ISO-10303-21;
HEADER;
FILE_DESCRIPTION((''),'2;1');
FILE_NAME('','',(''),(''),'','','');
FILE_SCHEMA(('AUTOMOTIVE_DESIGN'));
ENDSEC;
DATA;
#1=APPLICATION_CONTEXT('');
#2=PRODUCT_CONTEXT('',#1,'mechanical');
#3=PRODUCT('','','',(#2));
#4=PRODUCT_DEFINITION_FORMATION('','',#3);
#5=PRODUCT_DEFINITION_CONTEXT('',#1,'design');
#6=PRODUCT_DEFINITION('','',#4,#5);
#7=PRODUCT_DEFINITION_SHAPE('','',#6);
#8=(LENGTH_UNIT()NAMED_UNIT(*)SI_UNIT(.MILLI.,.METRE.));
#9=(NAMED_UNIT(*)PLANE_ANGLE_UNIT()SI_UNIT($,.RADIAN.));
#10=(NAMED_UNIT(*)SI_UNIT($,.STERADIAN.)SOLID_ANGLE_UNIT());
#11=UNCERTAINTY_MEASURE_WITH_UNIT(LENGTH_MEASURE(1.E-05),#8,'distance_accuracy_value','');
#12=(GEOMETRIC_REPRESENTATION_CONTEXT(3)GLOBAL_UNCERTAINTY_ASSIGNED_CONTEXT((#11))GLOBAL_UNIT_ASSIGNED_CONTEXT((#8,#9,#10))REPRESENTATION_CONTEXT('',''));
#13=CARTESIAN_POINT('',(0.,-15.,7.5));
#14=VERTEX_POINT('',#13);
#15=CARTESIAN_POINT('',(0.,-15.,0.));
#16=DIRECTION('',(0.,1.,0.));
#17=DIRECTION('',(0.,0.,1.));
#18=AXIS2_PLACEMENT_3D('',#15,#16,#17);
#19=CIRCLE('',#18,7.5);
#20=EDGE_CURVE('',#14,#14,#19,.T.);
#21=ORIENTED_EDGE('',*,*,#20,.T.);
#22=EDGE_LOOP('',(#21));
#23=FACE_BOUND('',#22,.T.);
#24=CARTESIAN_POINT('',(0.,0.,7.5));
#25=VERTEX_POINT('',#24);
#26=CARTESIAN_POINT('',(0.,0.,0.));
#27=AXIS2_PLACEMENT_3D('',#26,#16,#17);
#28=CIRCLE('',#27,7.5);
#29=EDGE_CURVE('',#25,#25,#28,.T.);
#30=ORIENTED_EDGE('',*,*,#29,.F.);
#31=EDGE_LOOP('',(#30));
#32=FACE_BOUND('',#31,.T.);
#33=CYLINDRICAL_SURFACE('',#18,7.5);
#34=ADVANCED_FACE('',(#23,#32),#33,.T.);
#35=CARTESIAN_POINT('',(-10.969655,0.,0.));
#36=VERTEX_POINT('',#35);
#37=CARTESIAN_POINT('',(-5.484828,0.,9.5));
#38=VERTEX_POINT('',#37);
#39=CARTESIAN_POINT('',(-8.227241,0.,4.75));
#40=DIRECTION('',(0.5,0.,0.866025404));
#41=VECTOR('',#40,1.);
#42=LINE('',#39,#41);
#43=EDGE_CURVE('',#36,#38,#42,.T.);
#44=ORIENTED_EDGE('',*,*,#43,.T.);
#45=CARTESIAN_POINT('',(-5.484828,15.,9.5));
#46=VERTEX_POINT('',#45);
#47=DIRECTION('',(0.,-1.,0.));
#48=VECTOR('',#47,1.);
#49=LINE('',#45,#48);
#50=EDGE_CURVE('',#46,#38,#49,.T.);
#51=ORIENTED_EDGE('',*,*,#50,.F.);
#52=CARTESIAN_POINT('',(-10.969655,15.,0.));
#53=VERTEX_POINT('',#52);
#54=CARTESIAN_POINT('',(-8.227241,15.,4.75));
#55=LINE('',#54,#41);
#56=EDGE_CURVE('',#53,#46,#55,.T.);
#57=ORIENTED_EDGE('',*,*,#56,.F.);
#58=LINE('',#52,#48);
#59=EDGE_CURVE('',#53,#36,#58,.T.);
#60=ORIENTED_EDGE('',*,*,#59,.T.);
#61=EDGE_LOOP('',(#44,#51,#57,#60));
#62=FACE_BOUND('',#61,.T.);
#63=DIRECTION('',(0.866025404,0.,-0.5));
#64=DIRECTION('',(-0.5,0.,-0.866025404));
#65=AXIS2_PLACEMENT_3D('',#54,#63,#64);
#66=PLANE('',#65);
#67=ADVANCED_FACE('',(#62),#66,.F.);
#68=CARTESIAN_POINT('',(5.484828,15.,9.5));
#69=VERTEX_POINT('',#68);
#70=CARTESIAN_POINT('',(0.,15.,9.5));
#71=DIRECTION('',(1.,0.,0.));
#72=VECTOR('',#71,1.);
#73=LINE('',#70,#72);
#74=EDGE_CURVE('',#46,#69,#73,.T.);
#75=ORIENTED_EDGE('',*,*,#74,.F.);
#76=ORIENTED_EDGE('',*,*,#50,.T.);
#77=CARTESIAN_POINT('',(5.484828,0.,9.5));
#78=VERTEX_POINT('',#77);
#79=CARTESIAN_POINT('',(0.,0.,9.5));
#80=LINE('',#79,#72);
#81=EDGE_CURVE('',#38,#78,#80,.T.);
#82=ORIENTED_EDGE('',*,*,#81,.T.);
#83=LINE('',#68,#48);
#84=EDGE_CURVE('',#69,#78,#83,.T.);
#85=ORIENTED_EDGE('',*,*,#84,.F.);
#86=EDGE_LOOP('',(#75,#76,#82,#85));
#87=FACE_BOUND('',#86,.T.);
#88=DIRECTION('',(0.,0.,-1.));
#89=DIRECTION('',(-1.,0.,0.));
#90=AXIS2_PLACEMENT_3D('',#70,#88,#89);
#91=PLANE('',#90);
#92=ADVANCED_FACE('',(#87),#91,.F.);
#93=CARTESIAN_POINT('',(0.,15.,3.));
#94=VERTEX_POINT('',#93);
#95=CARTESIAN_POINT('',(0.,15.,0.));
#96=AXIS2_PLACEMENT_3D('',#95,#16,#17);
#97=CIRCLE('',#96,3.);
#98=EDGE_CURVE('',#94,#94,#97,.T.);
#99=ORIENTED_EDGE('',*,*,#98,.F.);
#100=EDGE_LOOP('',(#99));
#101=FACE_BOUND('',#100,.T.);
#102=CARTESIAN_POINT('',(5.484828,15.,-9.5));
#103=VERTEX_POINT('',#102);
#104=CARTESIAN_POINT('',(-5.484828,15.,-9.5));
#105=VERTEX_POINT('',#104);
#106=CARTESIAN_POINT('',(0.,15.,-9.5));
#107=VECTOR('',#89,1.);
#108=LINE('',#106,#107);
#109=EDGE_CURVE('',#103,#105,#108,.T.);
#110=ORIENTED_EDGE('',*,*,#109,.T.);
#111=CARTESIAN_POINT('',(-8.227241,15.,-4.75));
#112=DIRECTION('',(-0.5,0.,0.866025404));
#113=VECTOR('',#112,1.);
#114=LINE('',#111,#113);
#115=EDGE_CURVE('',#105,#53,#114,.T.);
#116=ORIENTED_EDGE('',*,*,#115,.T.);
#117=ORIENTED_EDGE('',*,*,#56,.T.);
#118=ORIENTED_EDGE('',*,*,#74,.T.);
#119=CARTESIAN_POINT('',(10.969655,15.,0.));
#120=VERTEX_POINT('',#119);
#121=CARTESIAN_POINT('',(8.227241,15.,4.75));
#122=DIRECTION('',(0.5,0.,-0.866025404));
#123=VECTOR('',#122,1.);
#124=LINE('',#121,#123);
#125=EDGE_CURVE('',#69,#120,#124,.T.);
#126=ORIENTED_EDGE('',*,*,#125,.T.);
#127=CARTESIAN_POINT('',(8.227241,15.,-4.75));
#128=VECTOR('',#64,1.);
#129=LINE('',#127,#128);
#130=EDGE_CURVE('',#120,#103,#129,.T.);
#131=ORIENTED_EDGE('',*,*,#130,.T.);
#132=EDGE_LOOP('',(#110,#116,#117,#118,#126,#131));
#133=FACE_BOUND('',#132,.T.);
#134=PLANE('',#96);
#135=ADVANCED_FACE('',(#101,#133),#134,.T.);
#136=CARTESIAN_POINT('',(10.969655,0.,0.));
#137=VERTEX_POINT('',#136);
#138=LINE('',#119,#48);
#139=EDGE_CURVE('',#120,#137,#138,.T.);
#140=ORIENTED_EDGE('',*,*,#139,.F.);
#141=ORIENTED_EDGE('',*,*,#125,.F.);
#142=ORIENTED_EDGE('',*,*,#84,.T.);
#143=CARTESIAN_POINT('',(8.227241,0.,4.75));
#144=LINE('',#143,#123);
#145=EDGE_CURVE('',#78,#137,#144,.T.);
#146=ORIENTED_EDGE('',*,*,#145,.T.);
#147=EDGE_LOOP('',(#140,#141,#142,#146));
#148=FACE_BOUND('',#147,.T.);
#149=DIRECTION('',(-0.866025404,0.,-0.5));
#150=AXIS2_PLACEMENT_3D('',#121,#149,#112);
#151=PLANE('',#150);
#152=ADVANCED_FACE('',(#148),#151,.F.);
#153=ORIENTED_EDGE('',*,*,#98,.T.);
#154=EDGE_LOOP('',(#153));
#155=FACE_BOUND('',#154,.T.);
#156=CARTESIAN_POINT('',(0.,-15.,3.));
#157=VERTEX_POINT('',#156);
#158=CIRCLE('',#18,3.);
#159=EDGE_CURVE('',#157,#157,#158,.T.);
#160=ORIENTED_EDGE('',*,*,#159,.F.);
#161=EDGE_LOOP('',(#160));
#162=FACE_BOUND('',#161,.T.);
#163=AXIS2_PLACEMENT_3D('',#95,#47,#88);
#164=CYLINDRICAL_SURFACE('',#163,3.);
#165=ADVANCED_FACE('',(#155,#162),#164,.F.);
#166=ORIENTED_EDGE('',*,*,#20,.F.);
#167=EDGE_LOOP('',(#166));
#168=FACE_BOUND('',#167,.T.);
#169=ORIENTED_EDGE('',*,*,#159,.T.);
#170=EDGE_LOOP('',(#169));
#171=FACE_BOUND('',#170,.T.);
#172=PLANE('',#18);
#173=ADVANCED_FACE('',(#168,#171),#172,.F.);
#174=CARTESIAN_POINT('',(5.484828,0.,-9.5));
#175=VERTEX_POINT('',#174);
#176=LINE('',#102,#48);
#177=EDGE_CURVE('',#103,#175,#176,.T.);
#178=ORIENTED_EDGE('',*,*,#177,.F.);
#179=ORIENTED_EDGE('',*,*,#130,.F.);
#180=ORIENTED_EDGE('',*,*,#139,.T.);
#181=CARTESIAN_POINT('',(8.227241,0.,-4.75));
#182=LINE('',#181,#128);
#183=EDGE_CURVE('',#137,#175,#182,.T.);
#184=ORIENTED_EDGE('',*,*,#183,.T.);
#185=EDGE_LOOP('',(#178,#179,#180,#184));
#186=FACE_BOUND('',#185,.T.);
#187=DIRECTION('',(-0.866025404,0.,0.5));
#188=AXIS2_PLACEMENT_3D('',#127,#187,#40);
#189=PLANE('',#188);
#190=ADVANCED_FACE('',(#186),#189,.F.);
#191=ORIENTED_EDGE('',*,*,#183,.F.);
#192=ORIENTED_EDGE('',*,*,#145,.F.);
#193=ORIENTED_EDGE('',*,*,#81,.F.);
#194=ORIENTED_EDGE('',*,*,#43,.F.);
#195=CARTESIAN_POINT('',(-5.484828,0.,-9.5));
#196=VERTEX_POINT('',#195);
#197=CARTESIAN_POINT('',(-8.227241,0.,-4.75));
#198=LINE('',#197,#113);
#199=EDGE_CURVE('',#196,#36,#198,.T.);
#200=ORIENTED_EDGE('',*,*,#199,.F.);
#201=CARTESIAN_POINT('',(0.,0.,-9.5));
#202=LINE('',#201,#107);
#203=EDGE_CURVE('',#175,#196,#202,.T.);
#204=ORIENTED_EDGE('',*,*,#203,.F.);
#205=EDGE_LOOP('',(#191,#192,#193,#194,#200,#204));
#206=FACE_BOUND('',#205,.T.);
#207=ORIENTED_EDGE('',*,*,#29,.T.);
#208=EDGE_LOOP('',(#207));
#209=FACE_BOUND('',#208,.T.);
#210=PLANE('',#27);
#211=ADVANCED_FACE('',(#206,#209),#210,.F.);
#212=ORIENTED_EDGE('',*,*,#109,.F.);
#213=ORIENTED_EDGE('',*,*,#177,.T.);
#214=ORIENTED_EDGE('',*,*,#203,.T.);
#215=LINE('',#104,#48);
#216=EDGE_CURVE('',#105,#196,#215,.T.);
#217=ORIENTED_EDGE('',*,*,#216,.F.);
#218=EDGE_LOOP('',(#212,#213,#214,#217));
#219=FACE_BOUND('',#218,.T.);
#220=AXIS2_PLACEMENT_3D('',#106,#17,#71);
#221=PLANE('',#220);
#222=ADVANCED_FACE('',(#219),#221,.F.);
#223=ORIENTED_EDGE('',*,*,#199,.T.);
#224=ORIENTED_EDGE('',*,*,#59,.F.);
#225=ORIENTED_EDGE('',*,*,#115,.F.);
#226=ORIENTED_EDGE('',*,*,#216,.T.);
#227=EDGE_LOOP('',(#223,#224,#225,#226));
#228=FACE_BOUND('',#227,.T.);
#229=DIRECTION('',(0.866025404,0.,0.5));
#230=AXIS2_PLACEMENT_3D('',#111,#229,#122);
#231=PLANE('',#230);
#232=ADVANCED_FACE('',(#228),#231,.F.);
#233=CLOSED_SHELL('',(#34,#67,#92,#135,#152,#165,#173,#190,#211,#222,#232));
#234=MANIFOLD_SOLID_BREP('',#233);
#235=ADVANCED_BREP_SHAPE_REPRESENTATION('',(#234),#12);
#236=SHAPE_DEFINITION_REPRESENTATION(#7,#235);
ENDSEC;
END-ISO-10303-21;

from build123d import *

# Parameters (mm, degrees)
SZKIC1_R                    = 7.5
SZKIC1_R_2                  = 3
DODANIE_WYCI_GNI_CIE1_DEPTH = 15
DODANIE_WYCI_GNI_CIE2_START = -15
SZKIC1_3_R                  = 7.5
SZKIC1_3_R_2                = 3
DODANIE_WYCI_GNI_CIE2_DEPTH = 15


with BuildPart() as part:
    # Szkic1 → Dodanie-wyciągnięcie1 (new body)
    # profile 1 of 2: a face of its own
    with BuildSketch(Plane(origin=(0, 0, 0), x_dir=(1, 0, 0), z_dir=(0, 1, 0))):
        Polygon((-5.484827557, -9.5), (5.484827557, -9.5), (10.969655115, 0), (5.484827557, 9.5), (-5.484827557, 9.5), (-10.969655115, 0), align=None)
        Circle(SZKIC1_R, mode=Mode.SUBTRACT)
    # profile 2 of 2: a face of its own
    with BuildSketch(Plane(origin=(0, 0, 0), x_dir=(1, 0, 0), z_dir=(0, 1, 0))):
        Circle(SZKIC1_R)
        with Locations(Location((0, 0, 0), (0, 0, 270))):
            Circle(SZKIC1_R_2, mode=Mode.SUBTRACT)
    extrude(amount=DODANIE_WYCI_GNI_CIE1_DEPTH)

    # Szkic1<3> → Dodanie-wyciągnięcie2 (add)
    with BuildSketch(Plane(origin=(0, 0, 0), x_dir=(1, 0, 0), z_dir=(0, 1, 0)).offset(DODANIE_WYCI_GNI_CIE2_START)):
        with Locations(Location((0, 0, 0), (0, 0, 270))):
            Circle(SZKIC1_3_R)
        with Locations(Location((0, 0, 0), (0, 0, 270))):
            Circle(SZKIC1_3_R_2, mode=Mode.SUBTRACT)
    extrude(amount=DODANIE_WYCI_GNI_CIE2_DEPTH)


solid = part.part
